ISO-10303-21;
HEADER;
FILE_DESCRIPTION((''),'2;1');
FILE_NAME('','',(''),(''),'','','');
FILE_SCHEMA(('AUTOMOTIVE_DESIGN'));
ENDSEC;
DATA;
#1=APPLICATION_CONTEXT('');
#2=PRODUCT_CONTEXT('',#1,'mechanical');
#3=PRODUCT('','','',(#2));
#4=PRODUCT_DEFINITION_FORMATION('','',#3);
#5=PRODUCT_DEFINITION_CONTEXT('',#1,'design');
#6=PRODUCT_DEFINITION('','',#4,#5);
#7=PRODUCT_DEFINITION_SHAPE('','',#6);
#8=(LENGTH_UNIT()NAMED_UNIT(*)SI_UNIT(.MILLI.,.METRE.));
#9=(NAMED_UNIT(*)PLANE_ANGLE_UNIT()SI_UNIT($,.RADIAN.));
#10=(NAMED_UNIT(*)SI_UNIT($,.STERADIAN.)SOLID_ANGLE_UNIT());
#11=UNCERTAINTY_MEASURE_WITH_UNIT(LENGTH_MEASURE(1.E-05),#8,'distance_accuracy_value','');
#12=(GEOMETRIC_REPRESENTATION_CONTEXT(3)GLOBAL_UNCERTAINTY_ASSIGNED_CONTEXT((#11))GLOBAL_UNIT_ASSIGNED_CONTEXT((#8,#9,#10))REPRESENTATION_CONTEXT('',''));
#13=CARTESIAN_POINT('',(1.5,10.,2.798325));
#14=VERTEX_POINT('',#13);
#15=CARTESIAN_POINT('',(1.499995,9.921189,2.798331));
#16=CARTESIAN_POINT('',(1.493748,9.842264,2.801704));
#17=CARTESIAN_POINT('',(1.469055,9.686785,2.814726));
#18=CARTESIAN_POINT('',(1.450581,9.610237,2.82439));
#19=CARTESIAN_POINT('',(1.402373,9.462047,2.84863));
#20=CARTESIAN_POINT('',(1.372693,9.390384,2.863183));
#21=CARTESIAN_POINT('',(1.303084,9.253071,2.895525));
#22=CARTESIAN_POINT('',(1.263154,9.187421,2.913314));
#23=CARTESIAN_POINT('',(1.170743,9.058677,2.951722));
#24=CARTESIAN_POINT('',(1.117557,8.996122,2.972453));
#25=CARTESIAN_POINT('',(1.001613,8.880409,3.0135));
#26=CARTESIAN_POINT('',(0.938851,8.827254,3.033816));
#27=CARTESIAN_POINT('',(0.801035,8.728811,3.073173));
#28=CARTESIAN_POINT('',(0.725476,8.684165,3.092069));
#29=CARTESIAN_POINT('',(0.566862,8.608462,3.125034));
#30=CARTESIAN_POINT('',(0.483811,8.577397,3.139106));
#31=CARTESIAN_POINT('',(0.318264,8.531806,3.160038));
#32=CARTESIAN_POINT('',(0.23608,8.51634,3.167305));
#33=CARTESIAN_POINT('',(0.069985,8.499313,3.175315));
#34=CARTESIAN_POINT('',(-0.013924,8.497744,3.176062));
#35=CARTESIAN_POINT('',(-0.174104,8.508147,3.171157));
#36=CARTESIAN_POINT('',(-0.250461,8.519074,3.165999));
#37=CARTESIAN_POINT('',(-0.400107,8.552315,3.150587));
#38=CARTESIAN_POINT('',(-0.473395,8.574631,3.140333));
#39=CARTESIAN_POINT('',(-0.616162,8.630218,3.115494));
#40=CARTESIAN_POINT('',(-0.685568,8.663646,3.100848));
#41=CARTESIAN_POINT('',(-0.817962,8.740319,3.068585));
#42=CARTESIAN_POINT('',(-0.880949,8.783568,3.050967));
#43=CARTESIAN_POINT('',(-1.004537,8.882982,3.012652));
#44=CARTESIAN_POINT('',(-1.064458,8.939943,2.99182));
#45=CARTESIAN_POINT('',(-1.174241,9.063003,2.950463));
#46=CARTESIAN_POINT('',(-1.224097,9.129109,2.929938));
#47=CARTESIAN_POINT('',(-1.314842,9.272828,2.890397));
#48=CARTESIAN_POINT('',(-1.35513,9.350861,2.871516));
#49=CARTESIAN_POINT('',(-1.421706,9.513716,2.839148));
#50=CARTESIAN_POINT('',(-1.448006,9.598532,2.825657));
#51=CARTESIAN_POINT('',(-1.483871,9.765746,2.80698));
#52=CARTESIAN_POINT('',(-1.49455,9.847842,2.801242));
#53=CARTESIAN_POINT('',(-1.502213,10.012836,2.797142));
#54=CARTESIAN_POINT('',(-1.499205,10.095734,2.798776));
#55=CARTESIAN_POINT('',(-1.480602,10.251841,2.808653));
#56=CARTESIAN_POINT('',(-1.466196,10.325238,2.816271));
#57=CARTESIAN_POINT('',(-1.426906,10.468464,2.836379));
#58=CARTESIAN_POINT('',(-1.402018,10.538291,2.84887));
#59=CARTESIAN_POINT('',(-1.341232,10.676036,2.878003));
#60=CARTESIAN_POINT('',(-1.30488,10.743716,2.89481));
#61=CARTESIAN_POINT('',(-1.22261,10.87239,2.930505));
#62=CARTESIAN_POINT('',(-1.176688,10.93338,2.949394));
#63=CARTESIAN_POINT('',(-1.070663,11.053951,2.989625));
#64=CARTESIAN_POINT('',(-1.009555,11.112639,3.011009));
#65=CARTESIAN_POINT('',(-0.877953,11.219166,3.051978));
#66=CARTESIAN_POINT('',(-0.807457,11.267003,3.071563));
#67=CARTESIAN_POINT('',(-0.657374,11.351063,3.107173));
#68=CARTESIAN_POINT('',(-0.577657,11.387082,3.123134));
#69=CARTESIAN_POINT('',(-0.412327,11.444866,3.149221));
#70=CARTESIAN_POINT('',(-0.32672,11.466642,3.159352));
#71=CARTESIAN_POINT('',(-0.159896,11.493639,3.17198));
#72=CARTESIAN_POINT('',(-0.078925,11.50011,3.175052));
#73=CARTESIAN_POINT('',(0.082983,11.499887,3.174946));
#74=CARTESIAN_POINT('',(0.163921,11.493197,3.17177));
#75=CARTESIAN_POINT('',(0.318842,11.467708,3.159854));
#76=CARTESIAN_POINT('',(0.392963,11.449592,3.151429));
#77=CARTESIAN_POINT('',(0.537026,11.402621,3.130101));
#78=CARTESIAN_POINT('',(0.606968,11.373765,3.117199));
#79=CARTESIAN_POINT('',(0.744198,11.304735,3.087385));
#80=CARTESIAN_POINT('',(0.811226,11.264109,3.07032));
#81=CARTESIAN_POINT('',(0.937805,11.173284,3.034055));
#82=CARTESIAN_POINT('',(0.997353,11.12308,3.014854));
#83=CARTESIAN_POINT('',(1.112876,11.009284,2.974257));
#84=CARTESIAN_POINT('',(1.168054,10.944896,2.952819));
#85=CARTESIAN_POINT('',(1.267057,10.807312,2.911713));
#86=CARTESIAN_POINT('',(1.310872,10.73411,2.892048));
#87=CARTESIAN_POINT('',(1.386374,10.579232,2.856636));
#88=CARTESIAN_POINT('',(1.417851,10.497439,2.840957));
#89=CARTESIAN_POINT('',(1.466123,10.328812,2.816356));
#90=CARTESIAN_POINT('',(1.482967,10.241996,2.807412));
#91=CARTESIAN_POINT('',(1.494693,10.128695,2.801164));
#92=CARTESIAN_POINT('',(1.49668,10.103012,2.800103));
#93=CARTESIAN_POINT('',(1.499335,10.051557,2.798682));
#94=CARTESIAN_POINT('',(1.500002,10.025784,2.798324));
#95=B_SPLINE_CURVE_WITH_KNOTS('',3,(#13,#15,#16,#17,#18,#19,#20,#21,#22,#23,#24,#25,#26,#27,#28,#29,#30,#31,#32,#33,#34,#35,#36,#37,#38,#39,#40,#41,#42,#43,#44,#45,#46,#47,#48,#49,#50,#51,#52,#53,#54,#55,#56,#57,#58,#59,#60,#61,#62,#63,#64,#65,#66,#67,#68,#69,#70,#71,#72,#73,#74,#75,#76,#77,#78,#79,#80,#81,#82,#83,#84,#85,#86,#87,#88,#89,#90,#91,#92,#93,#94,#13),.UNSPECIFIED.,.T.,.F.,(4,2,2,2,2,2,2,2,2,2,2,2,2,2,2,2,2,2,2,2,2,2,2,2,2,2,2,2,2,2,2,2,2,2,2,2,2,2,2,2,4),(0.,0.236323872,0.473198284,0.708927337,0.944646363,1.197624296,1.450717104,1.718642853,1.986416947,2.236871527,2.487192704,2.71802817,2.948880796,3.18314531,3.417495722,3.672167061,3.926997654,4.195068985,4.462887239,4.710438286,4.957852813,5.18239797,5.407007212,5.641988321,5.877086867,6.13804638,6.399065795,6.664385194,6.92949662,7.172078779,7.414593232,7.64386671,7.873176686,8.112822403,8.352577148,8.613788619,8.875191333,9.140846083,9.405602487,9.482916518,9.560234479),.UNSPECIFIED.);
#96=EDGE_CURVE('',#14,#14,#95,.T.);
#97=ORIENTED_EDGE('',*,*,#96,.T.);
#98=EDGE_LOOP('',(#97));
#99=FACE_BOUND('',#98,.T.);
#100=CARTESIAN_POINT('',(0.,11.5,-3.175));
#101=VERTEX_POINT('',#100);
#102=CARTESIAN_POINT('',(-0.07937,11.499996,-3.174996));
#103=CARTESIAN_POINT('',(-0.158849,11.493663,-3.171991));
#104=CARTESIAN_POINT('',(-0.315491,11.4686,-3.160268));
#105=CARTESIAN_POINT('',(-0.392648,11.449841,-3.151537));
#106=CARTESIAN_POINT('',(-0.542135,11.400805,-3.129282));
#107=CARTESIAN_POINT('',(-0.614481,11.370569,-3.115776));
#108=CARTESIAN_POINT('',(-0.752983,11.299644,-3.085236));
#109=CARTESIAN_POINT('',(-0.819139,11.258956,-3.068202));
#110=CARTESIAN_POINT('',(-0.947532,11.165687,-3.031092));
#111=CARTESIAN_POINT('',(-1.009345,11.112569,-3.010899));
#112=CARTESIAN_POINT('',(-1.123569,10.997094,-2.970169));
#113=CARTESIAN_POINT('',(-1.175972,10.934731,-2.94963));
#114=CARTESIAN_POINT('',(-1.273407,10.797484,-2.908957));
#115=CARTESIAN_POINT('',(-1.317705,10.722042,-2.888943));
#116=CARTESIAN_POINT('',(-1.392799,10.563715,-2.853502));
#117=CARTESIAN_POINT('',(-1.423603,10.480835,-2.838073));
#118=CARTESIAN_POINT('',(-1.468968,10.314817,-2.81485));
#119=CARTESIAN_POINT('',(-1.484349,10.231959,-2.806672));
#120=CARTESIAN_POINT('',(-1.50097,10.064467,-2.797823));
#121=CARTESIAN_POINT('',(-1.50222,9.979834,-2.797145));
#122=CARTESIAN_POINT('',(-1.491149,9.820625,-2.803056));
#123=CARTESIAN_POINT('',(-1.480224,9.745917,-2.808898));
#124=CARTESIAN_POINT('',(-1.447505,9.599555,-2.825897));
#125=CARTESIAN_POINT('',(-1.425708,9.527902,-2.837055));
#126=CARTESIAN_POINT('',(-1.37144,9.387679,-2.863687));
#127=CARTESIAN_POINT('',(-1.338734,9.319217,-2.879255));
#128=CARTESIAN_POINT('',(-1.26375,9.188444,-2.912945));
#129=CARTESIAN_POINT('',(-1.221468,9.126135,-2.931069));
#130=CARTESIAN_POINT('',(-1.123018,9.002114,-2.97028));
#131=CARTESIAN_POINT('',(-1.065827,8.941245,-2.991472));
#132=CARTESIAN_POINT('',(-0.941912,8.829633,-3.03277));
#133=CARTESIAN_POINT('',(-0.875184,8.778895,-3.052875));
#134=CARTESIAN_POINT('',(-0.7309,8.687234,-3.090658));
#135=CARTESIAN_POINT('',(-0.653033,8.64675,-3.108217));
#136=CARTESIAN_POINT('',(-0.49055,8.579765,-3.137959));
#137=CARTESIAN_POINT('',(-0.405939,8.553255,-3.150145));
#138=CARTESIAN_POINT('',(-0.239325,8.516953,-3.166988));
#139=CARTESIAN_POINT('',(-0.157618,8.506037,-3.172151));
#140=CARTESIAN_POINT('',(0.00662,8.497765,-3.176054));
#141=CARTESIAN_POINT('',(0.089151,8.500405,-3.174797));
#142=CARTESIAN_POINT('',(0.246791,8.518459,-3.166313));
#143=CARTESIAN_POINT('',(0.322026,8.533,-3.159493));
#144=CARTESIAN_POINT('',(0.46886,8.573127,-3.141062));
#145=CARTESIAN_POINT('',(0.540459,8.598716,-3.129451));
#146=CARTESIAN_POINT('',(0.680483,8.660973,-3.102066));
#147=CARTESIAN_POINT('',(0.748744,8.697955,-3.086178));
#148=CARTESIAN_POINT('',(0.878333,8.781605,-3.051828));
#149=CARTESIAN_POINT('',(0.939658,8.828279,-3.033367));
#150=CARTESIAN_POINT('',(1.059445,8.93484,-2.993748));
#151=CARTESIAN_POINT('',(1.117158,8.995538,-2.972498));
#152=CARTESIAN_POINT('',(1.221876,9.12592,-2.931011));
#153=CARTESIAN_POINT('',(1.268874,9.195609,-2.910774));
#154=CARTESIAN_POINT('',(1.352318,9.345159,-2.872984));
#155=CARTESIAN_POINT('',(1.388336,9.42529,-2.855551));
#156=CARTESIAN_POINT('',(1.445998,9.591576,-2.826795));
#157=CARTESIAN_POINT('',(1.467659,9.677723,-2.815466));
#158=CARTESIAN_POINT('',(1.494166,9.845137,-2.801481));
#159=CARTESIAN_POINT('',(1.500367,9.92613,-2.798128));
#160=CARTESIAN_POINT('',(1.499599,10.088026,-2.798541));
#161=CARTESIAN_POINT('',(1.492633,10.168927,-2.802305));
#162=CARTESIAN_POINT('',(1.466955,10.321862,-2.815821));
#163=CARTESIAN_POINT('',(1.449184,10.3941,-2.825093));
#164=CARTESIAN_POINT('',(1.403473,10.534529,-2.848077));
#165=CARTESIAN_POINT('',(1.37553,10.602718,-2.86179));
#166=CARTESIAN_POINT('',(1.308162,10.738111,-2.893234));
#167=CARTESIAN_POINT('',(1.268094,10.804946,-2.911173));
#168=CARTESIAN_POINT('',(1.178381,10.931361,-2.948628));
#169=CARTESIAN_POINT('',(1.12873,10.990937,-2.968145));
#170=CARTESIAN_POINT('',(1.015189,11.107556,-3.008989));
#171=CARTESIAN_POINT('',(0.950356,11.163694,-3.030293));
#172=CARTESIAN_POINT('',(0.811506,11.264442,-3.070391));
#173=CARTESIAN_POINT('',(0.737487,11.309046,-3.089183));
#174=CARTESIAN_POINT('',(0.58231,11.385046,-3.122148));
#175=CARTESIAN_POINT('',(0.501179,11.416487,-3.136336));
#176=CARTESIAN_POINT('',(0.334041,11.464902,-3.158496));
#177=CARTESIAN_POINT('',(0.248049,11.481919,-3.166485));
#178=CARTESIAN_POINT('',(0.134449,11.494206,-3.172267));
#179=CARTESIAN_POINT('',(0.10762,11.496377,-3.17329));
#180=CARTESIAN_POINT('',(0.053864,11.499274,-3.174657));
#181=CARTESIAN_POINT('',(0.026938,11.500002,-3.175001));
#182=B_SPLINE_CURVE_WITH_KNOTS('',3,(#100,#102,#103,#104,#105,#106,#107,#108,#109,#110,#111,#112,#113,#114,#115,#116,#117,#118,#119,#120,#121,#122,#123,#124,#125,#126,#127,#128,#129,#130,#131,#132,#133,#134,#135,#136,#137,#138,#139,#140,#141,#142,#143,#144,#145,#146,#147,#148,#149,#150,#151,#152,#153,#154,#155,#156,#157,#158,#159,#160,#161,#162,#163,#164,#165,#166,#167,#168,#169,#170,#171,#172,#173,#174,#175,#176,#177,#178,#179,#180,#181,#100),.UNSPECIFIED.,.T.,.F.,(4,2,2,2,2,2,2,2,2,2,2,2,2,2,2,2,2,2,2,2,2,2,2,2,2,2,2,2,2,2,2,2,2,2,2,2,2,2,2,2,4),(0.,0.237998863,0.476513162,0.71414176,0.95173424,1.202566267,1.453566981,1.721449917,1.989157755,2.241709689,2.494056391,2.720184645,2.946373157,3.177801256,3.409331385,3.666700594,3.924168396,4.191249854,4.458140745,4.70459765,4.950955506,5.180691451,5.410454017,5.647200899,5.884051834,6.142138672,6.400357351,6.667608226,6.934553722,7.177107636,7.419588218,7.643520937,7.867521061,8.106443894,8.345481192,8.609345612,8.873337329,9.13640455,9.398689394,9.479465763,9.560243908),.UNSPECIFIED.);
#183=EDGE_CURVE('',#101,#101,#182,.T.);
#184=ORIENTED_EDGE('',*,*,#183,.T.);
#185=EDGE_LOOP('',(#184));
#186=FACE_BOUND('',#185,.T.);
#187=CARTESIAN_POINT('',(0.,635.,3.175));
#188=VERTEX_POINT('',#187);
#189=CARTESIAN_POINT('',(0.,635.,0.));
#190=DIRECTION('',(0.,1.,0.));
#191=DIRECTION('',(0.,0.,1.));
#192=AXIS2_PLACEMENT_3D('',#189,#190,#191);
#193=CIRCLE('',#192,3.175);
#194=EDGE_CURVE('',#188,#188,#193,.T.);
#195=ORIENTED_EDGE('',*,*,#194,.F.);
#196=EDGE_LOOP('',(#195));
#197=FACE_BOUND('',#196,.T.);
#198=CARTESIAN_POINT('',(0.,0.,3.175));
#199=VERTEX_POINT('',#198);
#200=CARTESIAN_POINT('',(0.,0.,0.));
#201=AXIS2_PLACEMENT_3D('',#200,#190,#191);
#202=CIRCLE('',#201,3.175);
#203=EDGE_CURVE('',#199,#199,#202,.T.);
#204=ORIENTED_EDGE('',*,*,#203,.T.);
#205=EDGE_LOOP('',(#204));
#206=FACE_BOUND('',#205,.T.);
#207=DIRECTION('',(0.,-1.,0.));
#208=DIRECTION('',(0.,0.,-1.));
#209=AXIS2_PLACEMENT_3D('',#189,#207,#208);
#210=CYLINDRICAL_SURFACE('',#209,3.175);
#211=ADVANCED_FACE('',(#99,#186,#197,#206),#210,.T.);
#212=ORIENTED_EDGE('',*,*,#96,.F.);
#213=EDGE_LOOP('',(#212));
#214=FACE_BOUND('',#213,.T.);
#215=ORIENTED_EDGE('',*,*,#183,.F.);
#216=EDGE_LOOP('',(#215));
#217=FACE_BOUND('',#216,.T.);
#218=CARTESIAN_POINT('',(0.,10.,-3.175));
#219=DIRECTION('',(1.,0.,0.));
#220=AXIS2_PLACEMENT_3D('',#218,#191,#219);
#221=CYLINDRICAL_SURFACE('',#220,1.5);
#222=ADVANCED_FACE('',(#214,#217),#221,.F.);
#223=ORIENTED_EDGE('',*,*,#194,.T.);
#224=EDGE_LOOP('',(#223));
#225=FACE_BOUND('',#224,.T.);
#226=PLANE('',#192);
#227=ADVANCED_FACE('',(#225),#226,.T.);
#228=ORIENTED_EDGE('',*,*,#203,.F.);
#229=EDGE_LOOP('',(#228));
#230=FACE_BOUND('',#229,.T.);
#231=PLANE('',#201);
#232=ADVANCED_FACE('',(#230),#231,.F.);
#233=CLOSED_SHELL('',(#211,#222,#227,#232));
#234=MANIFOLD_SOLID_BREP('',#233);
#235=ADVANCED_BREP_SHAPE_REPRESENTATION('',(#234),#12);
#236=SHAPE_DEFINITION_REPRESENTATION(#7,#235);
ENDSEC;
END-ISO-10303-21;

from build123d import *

# Parameters (mm, degrees)
SKETCH1_R               = 3.175
BOSS_EXTRUDE1_DEPTH     = 635
SKETCH2_R               = 1.5
CUT_EXTRUDE1_DEPTH      = 4.175
CUT_EXTRUDE1_DEPTH_BACK = 4.175


with BuildPart() as part:
    # Sketch1 → Boss-Extrude1 (new body)
    with BuildSketch(Plane(origin=(0, 0, 0), x_dir=(1, 0, 0), z_dir=(0, 1, 0))):
        Circle(SKETCH1_R)
    extrude(amount=BOSS_EXTRUDE1_DEPTH)

    # Sketch2 → Cut-Extrude1 (cut, two sides)
    with BuildSketch(Plane(origin=(0, 6.35, 0), x_dir=(-1, 0, 0), z_dir=(0, 0, 1))) as cut_extrude1_sk:
        with Locations((0, -3.65)):
            Circle(SKETCH2_R)
    extrude(amount=CUT_EXTRUDE1_DEPTH, mode=Mode.SUBTRACT)
    extrude(cut_extrude1_sk.sketch, amount=-CUT_EXTRUDE1_DEPTH_BACK, mode=Mode.SUBTRACT)


solid = part.part
